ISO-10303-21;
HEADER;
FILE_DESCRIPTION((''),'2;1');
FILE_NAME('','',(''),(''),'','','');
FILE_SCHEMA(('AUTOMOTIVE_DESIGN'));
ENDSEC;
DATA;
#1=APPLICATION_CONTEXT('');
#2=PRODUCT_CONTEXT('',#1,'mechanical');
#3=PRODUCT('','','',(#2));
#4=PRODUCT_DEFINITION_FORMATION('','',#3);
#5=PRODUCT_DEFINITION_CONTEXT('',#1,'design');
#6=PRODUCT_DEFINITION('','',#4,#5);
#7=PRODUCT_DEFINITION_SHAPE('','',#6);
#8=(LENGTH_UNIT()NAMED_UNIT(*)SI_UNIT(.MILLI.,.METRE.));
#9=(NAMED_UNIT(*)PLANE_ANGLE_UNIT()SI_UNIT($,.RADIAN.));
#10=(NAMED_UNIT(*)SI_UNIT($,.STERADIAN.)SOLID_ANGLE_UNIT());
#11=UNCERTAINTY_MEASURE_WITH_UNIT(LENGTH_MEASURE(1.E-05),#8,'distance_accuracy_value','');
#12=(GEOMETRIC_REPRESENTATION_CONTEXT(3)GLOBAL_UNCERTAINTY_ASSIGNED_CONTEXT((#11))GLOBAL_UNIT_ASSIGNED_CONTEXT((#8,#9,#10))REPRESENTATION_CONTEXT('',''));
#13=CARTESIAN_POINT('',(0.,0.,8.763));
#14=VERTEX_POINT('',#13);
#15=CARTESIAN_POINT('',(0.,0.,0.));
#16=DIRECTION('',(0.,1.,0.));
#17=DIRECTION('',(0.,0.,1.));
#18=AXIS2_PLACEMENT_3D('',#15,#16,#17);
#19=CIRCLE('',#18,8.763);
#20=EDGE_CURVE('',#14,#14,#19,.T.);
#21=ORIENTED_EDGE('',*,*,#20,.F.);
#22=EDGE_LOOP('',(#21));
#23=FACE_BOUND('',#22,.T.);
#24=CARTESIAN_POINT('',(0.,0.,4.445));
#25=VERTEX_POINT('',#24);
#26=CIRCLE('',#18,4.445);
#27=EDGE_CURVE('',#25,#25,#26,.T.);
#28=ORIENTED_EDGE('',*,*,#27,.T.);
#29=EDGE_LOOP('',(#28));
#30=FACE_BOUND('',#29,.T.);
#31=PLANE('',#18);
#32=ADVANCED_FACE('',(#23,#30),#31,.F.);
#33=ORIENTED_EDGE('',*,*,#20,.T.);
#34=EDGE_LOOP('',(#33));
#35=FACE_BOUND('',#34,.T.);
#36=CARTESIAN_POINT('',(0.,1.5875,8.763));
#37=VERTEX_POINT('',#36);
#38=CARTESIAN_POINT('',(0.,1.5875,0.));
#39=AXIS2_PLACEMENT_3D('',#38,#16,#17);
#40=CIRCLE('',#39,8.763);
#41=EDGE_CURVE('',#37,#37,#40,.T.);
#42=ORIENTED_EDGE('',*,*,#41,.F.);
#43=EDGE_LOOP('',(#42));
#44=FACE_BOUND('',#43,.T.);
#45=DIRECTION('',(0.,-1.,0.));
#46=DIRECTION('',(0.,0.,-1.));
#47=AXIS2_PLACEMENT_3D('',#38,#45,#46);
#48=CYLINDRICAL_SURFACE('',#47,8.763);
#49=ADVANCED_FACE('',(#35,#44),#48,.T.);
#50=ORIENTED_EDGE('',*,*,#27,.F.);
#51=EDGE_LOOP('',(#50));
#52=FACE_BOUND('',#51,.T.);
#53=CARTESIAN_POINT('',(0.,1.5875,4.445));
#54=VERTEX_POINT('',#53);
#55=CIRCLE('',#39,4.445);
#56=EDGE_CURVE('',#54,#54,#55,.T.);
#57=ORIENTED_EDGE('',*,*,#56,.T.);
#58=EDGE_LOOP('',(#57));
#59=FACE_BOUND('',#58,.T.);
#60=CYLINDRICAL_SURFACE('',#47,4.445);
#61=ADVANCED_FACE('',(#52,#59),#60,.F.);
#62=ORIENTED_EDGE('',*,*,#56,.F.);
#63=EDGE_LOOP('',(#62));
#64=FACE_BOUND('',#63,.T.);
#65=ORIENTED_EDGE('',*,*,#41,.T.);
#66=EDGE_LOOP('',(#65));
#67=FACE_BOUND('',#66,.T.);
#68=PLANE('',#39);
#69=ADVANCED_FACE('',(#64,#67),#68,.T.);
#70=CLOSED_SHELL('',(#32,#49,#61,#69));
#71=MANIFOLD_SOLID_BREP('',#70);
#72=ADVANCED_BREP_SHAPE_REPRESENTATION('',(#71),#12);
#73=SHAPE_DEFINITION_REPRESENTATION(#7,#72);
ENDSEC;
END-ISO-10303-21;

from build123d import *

# Parameters (mm, degrees)
SKETCH1_R      = 8.763
SKETCH1_R_2    = 4.445
EXTRUDE1_DEPTH = 1.5875


with BuildPart() as part:
    # Sketch1 → Extrude1 (new body)
    with BuildSketch(Plane(origin=(0, 0, 0), x_dir=(1, 0, 0), z_dir=(0, 1, 0))):
        with Locations(Location((0, 0, 0), (0, 0, 270))):
            Circle(SKETCH1_R)
        with Locations(Location((0, 0, 0), (0, 0, 270))):
            Circle(SKETCH1_R_2, mode=Mode.SUBTRACT)
    extrude(amount=EXTRUDE1_DEPTH)


solid = part.part
